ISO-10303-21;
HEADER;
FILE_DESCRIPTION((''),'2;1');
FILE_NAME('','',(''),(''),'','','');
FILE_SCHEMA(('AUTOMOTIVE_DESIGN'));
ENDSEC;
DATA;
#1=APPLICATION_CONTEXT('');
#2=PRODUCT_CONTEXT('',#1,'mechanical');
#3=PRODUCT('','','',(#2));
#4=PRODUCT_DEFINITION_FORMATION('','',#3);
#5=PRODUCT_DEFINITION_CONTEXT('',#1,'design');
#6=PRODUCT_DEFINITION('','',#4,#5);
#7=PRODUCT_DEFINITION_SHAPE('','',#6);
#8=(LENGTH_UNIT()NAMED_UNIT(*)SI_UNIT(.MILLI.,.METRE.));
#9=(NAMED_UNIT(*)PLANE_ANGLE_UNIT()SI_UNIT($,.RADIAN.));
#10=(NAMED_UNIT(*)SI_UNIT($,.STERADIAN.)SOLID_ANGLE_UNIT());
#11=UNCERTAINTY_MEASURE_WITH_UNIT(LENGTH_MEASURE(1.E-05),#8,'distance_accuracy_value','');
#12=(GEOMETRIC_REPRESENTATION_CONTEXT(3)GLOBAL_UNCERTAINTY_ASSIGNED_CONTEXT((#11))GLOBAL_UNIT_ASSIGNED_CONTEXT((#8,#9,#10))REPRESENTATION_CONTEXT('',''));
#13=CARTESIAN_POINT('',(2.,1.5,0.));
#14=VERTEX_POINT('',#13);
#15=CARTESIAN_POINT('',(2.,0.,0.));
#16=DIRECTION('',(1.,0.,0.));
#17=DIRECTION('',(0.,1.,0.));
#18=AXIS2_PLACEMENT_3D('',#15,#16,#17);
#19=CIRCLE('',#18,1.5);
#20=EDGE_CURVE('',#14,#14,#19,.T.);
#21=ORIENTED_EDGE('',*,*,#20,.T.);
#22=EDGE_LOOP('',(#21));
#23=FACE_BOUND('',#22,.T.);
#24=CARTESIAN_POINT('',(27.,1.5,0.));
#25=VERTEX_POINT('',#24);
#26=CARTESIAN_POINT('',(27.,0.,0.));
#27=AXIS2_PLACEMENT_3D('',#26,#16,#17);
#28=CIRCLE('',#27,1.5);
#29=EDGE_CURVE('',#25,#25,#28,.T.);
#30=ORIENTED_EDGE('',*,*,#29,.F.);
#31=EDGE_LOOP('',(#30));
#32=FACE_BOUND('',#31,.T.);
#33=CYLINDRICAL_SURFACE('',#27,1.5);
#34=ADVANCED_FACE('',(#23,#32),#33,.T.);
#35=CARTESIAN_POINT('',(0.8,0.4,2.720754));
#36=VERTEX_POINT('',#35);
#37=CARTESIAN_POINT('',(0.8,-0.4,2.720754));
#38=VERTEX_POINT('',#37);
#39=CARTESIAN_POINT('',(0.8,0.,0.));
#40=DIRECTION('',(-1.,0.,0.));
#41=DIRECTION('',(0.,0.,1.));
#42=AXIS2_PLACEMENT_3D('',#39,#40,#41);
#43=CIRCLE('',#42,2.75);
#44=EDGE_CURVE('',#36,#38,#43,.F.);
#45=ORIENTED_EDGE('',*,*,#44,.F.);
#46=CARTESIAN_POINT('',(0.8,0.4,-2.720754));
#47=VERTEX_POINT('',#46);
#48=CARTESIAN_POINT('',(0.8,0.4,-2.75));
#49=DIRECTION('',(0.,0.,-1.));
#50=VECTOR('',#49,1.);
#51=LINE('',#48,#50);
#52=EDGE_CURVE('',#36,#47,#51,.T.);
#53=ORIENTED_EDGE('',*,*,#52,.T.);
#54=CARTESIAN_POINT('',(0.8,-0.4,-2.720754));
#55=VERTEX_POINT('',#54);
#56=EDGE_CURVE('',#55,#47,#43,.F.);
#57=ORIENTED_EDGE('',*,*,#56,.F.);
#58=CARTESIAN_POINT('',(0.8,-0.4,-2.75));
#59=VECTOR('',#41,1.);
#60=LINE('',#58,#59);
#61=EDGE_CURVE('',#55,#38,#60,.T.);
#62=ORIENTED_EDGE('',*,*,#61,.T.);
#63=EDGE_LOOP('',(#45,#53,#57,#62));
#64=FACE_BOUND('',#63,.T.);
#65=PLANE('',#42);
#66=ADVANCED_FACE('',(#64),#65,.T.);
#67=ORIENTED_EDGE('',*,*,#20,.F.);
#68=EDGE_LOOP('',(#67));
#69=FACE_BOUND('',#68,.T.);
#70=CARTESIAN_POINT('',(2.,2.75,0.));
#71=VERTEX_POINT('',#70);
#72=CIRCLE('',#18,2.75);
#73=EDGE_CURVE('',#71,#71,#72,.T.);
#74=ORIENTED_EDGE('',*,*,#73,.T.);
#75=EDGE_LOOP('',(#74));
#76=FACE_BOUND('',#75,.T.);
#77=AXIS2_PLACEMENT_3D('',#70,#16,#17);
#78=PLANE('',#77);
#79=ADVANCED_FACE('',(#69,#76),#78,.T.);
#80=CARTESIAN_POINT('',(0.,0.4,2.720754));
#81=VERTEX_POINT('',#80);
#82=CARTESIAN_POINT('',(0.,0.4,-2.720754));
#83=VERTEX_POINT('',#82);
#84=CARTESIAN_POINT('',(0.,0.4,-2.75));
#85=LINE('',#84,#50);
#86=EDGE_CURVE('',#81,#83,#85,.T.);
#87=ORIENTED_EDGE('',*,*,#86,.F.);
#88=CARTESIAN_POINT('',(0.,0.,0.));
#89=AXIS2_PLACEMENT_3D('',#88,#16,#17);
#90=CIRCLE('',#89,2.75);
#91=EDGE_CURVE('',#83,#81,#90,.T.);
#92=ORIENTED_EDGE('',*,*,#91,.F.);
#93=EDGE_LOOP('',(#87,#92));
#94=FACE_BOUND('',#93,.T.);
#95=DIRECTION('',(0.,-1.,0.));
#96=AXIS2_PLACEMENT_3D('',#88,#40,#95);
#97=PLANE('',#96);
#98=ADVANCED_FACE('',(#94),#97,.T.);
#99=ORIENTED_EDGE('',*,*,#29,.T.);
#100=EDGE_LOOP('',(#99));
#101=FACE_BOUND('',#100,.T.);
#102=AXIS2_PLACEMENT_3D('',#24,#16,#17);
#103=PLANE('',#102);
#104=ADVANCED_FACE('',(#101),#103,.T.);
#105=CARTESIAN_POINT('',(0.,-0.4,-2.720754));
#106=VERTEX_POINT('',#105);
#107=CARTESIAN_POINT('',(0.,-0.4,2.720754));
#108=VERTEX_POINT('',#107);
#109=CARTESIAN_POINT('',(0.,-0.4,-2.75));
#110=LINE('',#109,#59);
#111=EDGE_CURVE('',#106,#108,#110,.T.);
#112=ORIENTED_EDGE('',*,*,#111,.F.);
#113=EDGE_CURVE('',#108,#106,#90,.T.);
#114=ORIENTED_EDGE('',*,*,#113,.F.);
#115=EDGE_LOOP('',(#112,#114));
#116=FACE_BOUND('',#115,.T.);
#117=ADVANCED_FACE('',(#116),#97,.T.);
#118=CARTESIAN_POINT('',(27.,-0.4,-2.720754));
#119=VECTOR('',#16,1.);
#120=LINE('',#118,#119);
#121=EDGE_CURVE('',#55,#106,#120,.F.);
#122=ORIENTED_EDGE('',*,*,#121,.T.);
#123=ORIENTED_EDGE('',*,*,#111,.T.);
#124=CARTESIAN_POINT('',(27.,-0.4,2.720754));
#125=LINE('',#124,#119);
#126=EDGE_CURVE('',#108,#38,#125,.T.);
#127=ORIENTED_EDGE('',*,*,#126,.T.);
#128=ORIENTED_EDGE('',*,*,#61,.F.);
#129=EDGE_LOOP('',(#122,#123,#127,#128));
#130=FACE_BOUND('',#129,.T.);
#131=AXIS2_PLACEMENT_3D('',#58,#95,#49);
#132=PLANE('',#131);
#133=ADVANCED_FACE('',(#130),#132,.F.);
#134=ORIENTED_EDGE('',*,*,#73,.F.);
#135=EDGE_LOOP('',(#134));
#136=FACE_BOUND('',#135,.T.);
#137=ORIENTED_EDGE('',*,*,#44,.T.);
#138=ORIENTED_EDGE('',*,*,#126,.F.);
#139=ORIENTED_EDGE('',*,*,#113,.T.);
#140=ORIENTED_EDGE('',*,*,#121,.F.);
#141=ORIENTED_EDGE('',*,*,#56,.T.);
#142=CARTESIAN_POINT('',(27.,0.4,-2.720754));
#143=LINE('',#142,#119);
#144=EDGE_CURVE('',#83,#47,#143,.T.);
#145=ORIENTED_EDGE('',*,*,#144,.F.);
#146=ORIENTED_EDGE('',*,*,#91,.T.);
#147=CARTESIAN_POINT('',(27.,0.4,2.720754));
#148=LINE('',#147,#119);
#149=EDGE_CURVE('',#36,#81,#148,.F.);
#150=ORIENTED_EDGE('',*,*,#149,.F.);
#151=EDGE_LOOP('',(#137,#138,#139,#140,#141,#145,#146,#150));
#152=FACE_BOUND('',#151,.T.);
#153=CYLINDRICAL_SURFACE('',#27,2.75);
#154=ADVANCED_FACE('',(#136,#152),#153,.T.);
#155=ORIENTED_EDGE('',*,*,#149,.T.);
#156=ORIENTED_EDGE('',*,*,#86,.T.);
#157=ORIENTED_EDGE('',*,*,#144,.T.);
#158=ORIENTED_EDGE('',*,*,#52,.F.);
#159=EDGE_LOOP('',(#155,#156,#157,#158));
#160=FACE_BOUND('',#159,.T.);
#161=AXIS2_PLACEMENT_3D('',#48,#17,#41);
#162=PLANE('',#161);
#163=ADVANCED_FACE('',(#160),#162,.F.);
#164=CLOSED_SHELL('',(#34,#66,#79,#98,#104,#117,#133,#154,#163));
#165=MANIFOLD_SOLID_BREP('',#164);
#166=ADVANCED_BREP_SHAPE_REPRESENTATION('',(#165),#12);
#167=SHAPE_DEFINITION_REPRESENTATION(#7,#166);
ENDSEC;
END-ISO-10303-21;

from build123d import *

# Parameters (mm, degrees)
SKETCH2_W          = 5.5
SKETCH2_H          = 0.8
CUT_EXTRUDE1_DEPTH = 0.8


with BuildPart() as part:
    # Sketch1 → Revolve1 (revolve)
    with BuildSketch(Plane.XY):
        Polygon((0, 0), (0, 2.75), (2, 2.75), (2, 1.5), (27, 1.5), (27, 0), align=None)
    revolve(axis=Axis((27, 0, 0), (-1, 0, 0)))

    # Sketch2 → Cut-Extrude1 (cut)
    with BuildSketch(Plane.ZY):
        Rectangle(SKETCH2_W, SKETCH2_H)
    extrude(amount=-CUT_EXTRUDE1_DEPTH, mode=Mode.SUBTRACT)


solid = part.part
